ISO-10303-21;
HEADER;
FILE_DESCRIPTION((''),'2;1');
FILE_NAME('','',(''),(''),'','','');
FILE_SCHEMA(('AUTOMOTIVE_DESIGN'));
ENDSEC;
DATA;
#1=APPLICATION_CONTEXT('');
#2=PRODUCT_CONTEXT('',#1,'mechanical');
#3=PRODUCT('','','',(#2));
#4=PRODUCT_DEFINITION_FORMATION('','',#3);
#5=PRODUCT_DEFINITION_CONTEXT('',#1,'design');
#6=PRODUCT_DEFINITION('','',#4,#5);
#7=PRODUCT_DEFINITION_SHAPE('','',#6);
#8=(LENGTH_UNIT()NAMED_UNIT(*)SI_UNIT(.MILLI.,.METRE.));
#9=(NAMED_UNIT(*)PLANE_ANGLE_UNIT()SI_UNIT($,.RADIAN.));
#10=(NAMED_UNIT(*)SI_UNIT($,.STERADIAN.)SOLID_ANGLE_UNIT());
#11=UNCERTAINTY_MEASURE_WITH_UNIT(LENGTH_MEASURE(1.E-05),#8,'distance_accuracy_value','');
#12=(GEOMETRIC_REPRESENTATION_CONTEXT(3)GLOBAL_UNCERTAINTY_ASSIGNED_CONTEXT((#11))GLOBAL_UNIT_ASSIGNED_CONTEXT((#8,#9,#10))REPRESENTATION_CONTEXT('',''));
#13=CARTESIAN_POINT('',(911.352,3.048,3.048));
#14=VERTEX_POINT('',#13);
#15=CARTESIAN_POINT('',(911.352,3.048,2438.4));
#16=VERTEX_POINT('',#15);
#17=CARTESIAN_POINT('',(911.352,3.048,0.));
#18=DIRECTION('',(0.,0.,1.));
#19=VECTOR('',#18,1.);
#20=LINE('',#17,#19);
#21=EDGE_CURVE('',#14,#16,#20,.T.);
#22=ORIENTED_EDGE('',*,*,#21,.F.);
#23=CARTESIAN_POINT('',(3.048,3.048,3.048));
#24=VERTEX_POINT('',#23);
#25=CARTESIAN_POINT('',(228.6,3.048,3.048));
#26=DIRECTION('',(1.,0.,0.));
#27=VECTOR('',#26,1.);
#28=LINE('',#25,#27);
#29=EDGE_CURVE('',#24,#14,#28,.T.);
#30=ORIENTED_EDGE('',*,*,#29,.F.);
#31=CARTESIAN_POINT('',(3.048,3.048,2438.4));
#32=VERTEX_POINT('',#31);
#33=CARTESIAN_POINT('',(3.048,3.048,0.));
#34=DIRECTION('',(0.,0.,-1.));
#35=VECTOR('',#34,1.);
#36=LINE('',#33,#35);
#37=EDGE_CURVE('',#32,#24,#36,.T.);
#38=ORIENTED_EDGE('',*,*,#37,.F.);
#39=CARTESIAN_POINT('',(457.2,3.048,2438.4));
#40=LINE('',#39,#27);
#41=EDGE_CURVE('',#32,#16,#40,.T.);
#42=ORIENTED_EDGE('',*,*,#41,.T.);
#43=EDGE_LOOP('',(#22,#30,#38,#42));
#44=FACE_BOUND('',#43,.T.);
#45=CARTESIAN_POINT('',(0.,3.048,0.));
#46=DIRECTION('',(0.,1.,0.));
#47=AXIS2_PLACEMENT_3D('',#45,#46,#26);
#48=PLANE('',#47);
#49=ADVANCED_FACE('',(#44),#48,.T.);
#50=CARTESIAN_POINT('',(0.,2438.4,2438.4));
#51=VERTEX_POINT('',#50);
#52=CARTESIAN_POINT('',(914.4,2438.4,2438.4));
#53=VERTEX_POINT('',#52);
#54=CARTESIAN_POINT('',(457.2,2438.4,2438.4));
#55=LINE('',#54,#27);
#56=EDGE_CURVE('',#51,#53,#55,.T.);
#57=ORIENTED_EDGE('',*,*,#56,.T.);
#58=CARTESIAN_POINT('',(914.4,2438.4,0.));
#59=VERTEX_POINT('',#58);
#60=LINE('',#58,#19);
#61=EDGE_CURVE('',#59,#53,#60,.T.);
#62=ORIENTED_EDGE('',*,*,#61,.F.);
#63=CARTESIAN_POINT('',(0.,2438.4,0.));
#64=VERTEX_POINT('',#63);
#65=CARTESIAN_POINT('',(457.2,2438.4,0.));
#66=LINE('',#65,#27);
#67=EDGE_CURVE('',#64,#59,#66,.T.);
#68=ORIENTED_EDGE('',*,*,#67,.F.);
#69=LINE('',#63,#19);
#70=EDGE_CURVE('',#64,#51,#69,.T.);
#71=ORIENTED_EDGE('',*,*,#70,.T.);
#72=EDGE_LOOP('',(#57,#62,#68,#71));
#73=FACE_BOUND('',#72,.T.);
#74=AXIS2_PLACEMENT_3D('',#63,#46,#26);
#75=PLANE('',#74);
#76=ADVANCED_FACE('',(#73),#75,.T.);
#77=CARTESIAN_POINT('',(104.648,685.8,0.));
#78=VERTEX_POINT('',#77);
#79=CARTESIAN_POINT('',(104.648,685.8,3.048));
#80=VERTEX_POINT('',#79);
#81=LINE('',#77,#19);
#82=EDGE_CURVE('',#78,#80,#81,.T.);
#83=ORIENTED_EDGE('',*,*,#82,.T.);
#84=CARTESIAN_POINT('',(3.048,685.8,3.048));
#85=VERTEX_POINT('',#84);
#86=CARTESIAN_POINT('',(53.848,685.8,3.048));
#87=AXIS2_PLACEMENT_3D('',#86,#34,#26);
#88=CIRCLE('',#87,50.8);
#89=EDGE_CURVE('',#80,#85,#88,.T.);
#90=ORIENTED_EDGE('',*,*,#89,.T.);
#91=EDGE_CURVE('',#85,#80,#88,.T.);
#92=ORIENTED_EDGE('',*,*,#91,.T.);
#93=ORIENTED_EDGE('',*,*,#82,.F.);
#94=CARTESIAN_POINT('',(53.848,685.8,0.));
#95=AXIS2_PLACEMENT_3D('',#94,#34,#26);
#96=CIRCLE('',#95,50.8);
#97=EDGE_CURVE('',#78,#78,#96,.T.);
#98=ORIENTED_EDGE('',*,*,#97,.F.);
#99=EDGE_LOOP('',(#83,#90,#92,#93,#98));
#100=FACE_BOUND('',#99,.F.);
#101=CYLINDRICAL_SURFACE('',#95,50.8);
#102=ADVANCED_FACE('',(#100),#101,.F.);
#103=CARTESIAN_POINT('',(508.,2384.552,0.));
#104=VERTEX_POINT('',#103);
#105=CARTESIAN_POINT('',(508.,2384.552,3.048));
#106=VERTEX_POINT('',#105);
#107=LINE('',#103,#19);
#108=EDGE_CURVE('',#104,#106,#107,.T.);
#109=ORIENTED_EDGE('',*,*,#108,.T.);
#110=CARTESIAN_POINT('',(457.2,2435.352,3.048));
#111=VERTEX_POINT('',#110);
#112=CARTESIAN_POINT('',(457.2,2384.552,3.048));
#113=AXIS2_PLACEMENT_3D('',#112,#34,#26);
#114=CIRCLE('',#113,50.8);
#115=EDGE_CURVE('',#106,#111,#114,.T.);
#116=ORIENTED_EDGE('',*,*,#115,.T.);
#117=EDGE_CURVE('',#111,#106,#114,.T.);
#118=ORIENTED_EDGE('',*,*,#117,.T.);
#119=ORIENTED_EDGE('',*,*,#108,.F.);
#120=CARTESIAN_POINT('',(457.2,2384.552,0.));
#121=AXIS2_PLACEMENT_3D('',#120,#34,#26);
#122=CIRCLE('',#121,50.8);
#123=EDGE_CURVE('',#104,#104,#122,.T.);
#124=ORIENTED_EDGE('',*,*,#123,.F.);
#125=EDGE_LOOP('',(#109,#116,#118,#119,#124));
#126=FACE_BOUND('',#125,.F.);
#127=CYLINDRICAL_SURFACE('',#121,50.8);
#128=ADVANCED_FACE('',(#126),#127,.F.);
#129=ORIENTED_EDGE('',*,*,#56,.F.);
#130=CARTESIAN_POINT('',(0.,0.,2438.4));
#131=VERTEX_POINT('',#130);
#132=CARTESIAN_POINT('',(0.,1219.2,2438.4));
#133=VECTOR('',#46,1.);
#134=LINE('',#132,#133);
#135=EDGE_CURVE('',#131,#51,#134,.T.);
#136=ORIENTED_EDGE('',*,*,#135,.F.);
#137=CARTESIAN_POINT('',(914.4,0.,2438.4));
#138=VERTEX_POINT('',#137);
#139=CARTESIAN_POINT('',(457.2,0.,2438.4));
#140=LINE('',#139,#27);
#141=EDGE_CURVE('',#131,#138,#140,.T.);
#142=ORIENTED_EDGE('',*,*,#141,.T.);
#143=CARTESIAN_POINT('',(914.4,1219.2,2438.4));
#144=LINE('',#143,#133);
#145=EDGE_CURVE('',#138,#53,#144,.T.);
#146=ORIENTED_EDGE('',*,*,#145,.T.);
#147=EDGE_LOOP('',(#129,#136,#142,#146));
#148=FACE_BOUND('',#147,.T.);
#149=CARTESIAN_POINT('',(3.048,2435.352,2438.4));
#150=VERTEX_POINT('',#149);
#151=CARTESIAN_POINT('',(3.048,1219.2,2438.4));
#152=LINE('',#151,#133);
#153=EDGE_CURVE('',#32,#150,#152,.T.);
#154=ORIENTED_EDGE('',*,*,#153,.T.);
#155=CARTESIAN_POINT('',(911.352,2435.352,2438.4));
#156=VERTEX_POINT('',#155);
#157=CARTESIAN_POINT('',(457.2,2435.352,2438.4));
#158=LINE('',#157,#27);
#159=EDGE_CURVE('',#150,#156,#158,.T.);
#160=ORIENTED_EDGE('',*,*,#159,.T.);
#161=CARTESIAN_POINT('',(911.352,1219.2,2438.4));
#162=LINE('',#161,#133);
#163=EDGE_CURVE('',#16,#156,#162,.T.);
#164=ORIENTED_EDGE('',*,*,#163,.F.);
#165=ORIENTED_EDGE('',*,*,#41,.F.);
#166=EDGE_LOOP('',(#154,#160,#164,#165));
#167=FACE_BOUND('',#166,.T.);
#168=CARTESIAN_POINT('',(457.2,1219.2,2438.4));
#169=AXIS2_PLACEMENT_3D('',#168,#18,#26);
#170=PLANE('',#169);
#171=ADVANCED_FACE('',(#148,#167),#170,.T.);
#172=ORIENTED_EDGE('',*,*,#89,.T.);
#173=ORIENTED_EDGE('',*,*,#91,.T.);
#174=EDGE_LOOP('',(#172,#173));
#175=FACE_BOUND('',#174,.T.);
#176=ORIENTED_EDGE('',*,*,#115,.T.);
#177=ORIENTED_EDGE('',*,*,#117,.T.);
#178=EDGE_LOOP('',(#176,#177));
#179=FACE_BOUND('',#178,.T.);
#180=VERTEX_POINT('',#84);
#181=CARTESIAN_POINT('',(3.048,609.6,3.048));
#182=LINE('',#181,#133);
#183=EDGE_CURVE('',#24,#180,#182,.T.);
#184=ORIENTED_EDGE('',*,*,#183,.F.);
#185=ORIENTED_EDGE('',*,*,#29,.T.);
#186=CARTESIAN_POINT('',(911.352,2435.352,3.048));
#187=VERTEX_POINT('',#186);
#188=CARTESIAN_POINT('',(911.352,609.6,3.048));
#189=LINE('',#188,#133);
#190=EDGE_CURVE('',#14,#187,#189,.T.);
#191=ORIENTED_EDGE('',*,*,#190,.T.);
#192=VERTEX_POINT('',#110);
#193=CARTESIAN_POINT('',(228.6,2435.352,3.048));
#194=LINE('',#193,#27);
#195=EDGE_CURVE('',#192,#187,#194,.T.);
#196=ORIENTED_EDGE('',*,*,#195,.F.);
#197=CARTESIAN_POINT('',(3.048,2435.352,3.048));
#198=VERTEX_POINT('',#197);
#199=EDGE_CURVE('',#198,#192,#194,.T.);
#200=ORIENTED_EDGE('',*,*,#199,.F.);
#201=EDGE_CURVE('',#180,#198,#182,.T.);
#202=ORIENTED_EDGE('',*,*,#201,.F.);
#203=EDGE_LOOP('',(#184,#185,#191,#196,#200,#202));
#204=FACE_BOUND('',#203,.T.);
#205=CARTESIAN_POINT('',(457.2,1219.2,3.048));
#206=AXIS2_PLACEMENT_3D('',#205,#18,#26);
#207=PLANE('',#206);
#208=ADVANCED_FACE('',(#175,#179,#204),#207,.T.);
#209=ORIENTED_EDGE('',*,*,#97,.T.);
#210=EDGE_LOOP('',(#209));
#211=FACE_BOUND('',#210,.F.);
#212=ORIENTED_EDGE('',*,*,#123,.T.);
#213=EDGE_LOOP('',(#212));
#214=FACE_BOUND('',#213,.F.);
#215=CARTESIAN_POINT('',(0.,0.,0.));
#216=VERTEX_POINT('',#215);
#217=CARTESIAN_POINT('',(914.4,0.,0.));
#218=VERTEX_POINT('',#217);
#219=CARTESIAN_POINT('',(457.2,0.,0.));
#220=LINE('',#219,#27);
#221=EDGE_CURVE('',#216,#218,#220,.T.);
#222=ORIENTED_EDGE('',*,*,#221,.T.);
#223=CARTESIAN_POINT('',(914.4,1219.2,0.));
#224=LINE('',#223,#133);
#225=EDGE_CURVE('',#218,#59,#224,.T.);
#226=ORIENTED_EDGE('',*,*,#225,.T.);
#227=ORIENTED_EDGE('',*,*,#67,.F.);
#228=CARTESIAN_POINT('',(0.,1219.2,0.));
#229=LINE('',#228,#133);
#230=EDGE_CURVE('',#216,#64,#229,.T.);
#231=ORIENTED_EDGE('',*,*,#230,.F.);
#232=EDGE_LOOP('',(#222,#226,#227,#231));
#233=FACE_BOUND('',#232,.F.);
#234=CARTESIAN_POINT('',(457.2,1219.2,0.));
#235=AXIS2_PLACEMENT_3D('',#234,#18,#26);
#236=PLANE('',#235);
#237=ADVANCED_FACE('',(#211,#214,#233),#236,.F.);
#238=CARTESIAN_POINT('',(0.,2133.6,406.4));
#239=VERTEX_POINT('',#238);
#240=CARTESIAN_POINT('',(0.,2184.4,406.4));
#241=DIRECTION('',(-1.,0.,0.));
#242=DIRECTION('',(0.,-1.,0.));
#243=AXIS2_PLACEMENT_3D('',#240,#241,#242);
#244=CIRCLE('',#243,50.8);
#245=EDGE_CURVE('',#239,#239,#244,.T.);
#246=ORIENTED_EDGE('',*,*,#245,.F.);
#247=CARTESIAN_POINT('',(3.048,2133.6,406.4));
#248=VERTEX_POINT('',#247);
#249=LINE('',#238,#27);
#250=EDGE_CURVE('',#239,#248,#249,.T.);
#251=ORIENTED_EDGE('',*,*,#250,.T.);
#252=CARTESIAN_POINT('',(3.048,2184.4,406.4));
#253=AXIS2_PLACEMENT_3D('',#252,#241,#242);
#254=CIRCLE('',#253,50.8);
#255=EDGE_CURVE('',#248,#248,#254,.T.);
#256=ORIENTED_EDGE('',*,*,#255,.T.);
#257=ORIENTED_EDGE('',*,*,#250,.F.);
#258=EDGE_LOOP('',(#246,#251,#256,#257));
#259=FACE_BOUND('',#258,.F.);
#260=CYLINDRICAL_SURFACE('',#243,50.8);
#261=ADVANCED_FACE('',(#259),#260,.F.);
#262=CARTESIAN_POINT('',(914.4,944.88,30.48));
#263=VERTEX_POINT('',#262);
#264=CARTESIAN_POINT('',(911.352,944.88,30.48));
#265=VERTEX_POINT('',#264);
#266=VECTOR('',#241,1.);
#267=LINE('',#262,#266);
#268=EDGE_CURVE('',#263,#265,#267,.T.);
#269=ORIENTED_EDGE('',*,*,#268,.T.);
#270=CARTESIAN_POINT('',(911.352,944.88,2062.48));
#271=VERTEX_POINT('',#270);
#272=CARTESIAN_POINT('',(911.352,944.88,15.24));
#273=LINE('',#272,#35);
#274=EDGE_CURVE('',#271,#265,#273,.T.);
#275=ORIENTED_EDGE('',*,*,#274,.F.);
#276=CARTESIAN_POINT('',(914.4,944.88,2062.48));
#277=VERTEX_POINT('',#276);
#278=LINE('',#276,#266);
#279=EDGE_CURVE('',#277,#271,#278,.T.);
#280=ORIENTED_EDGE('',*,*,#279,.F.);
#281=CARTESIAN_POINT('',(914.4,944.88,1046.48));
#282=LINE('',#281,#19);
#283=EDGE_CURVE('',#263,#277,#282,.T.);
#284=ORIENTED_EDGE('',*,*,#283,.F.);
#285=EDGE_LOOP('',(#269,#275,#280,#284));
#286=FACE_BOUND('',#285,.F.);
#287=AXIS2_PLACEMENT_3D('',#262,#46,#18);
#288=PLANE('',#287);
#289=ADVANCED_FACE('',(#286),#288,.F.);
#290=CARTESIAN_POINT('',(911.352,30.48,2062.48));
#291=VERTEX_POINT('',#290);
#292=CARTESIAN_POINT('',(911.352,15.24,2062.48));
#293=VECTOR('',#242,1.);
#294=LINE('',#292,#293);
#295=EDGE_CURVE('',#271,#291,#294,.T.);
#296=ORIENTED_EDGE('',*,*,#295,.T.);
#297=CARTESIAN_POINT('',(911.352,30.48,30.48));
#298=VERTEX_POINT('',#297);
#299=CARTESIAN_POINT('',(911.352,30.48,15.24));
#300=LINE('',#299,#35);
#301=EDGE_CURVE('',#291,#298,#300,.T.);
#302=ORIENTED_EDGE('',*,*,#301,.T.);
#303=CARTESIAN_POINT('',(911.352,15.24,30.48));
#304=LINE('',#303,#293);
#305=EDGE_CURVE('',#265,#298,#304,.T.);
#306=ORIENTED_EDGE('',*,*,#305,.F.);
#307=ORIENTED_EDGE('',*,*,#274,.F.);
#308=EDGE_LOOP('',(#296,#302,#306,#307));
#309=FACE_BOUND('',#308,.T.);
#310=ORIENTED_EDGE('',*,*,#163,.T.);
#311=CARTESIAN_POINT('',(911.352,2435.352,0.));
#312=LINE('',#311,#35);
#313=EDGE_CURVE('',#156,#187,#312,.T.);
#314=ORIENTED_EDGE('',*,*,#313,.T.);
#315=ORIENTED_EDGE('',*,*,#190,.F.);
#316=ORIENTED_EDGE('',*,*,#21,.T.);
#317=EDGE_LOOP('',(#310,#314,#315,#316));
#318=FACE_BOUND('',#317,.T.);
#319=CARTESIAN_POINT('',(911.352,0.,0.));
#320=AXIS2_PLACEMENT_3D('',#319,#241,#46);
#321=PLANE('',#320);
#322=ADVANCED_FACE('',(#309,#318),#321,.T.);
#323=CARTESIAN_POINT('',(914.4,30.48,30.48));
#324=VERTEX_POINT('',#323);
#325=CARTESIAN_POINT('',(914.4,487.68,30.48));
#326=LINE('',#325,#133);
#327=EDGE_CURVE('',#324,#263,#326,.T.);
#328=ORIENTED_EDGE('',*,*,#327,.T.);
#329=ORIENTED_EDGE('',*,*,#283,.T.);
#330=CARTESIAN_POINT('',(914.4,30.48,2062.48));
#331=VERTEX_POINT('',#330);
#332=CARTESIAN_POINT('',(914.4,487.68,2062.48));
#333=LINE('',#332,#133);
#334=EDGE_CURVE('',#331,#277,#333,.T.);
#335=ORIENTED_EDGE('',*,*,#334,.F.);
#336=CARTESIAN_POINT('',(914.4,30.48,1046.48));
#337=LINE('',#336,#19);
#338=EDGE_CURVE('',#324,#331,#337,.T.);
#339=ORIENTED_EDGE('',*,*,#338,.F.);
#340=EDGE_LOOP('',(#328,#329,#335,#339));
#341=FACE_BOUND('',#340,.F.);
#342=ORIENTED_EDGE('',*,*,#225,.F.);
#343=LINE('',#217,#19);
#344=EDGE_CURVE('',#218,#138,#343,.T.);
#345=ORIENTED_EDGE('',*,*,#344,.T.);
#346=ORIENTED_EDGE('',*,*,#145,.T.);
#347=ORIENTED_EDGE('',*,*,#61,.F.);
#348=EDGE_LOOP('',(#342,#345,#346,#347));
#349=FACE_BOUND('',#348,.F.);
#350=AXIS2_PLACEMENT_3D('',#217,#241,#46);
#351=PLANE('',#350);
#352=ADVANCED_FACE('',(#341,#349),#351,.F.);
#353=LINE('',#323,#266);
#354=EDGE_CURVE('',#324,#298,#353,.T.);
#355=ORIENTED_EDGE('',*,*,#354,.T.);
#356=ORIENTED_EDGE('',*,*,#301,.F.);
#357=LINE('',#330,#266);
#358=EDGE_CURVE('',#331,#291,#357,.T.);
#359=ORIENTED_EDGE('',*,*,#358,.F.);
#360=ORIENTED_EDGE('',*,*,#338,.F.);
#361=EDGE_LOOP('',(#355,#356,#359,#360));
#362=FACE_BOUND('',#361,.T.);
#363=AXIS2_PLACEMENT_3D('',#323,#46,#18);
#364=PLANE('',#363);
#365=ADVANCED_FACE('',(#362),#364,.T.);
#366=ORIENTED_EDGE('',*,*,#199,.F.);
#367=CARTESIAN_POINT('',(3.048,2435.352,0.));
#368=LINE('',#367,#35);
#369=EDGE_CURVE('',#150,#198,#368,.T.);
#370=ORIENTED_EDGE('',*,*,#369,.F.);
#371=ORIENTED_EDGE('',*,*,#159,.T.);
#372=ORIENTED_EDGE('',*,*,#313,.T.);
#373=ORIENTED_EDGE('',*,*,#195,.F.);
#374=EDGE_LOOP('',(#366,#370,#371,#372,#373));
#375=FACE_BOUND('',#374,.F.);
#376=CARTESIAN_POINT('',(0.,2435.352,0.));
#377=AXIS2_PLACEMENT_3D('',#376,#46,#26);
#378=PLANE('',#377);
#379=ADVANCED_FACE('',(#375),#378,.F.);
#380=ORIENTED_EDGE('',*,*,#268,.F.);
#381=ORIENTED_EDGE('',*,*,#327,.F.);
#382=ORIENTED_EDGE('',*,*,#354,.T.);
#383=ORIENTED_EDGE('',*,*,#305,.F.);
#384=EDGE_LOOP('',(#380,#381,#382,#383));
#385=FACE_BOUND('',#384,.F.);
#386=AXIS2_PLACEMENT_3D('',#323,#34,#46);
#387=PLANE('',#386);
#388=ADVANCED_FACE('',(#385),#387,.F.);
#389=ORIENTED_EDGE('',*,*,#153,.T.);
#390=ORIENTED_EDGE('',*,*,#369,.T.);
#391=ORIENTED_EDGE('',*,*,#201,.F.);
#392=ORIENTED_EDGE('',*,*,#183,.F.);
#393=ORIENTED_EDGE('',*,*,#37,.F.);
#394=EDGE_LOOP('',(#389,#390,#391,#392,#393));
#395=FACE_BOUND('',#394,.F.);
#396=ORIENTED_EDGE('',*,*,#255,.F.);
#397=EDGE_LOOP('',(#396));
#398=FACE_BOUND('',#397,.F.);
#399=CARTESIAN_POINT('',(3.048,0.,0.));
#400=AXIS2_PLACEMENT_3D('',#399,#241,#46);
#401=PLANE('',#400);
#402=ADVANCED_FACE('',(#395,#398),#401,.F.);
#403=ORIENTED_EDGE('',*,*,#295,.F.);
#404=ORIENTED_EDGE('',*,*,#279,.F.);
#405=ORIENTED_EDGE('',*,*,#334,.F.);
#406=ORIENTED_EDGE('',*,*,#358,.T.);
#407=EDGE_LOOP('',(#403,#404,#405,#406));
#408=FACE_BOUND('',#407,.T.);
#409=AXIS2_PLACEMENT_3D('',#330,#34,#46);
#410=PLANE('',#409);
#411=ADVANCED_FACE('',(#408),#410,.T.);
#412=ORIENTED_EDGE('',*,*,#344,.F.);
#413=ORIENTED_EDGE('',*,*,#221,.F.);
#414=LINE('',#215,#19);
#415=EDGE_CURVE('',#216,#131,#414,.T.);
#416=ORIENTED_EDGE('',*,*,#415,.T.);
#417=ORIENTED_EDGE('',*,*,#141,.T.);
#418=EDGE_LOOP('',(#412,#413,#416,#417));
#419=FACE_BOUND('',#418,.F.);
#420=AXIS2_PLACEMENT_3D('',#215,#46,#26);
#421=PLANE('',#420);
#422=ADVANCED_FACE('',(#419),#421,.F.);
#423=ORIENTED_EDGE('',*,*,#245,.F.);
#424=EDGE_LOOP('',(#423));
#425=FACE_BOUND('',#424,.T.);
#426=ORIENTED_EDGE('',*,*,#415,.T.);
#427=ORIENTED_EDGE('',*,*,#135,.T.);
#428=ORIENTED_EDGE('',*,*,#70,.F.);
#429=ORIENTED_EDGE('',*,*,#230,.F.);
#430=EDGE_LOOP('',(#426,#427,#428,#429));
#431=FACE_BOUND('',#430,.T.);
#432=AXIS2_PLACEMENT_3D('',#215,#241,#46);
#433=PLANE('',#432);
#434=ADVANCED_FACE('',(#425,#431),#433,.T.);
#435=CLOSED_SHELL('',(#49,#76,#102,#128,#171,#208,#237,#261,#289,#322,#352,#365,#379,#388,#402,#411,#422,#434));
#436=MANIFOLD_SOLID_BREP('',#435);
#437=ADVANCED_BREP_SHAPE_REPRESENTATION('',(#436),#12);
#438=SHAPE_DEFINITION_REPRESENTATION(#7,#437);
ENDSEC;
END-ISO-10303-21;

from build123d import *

# Parameters (mm, degrees)
F0_W     = 914.4
F0_H     = 2438.4
F1_DEPTH = 2438.4
F2_T     = -3.048
F3_R     = 50.8
F4_DEPTH = 914.4
F5_R     = 50.8
F6_DEPTH = 30.48
F7_W     = 914.4
F7_H     = 2032
F8_DEPTH = 30.48


with BuildPart() as f1:
    # F0 (on Top) → F1 (new body)
    with BuildSketch(Plane.XY):
        with Locations((457.2, 1219.2)):
            Rectangle(F0_W, F0_H)
    extrude(amount=F1_DEPTH)

    # F2
    f2_openings = [f1.faces().sort_by_distance(p)[0] for p in [
        (457.2, 1219.2, 2438.4),
    ]]
    offset(amount=F2_T, openings=f2_openings)

    # F3 (on face) → F4 (cut)
    with BuildSketch(Plane(origin=(0, 0, 0), x_dir=(1, 0, 0), z_dir=(0, 0, -1))):
        with Locations((457.2, -2384.552)):
            Circle(F3_R)
        with Locations((53.848, -685.8)):
            Circle(F3_R)
    extrude(amount=-F4_DEPTH, mode=Mode.SUBTRACT)

    # F5 (on face) → F6 (cut)
    with BuildSketch(Plane(origin=(0, 0, 0), x_dir=(0, -1, 0), z_dir=(-1, 0, 0))):
        with Locations((-2184.4, 406.4)):
            Circle(F5_R)
    extrude(amount=-F6_DEPTH, mode=Mode.SUBTRACT)

    # F7 (on face) → F8 (cut)
    with BuildSketch(Plane.YZ.offset(914.4)):
        with Locations((487.68, 1046.48)):
            Rectangle(F7_W, F7_H)
    extrude(amount=-F8_DEPTH, mode=Mode.SUBTRACT)


solid = f1.part
